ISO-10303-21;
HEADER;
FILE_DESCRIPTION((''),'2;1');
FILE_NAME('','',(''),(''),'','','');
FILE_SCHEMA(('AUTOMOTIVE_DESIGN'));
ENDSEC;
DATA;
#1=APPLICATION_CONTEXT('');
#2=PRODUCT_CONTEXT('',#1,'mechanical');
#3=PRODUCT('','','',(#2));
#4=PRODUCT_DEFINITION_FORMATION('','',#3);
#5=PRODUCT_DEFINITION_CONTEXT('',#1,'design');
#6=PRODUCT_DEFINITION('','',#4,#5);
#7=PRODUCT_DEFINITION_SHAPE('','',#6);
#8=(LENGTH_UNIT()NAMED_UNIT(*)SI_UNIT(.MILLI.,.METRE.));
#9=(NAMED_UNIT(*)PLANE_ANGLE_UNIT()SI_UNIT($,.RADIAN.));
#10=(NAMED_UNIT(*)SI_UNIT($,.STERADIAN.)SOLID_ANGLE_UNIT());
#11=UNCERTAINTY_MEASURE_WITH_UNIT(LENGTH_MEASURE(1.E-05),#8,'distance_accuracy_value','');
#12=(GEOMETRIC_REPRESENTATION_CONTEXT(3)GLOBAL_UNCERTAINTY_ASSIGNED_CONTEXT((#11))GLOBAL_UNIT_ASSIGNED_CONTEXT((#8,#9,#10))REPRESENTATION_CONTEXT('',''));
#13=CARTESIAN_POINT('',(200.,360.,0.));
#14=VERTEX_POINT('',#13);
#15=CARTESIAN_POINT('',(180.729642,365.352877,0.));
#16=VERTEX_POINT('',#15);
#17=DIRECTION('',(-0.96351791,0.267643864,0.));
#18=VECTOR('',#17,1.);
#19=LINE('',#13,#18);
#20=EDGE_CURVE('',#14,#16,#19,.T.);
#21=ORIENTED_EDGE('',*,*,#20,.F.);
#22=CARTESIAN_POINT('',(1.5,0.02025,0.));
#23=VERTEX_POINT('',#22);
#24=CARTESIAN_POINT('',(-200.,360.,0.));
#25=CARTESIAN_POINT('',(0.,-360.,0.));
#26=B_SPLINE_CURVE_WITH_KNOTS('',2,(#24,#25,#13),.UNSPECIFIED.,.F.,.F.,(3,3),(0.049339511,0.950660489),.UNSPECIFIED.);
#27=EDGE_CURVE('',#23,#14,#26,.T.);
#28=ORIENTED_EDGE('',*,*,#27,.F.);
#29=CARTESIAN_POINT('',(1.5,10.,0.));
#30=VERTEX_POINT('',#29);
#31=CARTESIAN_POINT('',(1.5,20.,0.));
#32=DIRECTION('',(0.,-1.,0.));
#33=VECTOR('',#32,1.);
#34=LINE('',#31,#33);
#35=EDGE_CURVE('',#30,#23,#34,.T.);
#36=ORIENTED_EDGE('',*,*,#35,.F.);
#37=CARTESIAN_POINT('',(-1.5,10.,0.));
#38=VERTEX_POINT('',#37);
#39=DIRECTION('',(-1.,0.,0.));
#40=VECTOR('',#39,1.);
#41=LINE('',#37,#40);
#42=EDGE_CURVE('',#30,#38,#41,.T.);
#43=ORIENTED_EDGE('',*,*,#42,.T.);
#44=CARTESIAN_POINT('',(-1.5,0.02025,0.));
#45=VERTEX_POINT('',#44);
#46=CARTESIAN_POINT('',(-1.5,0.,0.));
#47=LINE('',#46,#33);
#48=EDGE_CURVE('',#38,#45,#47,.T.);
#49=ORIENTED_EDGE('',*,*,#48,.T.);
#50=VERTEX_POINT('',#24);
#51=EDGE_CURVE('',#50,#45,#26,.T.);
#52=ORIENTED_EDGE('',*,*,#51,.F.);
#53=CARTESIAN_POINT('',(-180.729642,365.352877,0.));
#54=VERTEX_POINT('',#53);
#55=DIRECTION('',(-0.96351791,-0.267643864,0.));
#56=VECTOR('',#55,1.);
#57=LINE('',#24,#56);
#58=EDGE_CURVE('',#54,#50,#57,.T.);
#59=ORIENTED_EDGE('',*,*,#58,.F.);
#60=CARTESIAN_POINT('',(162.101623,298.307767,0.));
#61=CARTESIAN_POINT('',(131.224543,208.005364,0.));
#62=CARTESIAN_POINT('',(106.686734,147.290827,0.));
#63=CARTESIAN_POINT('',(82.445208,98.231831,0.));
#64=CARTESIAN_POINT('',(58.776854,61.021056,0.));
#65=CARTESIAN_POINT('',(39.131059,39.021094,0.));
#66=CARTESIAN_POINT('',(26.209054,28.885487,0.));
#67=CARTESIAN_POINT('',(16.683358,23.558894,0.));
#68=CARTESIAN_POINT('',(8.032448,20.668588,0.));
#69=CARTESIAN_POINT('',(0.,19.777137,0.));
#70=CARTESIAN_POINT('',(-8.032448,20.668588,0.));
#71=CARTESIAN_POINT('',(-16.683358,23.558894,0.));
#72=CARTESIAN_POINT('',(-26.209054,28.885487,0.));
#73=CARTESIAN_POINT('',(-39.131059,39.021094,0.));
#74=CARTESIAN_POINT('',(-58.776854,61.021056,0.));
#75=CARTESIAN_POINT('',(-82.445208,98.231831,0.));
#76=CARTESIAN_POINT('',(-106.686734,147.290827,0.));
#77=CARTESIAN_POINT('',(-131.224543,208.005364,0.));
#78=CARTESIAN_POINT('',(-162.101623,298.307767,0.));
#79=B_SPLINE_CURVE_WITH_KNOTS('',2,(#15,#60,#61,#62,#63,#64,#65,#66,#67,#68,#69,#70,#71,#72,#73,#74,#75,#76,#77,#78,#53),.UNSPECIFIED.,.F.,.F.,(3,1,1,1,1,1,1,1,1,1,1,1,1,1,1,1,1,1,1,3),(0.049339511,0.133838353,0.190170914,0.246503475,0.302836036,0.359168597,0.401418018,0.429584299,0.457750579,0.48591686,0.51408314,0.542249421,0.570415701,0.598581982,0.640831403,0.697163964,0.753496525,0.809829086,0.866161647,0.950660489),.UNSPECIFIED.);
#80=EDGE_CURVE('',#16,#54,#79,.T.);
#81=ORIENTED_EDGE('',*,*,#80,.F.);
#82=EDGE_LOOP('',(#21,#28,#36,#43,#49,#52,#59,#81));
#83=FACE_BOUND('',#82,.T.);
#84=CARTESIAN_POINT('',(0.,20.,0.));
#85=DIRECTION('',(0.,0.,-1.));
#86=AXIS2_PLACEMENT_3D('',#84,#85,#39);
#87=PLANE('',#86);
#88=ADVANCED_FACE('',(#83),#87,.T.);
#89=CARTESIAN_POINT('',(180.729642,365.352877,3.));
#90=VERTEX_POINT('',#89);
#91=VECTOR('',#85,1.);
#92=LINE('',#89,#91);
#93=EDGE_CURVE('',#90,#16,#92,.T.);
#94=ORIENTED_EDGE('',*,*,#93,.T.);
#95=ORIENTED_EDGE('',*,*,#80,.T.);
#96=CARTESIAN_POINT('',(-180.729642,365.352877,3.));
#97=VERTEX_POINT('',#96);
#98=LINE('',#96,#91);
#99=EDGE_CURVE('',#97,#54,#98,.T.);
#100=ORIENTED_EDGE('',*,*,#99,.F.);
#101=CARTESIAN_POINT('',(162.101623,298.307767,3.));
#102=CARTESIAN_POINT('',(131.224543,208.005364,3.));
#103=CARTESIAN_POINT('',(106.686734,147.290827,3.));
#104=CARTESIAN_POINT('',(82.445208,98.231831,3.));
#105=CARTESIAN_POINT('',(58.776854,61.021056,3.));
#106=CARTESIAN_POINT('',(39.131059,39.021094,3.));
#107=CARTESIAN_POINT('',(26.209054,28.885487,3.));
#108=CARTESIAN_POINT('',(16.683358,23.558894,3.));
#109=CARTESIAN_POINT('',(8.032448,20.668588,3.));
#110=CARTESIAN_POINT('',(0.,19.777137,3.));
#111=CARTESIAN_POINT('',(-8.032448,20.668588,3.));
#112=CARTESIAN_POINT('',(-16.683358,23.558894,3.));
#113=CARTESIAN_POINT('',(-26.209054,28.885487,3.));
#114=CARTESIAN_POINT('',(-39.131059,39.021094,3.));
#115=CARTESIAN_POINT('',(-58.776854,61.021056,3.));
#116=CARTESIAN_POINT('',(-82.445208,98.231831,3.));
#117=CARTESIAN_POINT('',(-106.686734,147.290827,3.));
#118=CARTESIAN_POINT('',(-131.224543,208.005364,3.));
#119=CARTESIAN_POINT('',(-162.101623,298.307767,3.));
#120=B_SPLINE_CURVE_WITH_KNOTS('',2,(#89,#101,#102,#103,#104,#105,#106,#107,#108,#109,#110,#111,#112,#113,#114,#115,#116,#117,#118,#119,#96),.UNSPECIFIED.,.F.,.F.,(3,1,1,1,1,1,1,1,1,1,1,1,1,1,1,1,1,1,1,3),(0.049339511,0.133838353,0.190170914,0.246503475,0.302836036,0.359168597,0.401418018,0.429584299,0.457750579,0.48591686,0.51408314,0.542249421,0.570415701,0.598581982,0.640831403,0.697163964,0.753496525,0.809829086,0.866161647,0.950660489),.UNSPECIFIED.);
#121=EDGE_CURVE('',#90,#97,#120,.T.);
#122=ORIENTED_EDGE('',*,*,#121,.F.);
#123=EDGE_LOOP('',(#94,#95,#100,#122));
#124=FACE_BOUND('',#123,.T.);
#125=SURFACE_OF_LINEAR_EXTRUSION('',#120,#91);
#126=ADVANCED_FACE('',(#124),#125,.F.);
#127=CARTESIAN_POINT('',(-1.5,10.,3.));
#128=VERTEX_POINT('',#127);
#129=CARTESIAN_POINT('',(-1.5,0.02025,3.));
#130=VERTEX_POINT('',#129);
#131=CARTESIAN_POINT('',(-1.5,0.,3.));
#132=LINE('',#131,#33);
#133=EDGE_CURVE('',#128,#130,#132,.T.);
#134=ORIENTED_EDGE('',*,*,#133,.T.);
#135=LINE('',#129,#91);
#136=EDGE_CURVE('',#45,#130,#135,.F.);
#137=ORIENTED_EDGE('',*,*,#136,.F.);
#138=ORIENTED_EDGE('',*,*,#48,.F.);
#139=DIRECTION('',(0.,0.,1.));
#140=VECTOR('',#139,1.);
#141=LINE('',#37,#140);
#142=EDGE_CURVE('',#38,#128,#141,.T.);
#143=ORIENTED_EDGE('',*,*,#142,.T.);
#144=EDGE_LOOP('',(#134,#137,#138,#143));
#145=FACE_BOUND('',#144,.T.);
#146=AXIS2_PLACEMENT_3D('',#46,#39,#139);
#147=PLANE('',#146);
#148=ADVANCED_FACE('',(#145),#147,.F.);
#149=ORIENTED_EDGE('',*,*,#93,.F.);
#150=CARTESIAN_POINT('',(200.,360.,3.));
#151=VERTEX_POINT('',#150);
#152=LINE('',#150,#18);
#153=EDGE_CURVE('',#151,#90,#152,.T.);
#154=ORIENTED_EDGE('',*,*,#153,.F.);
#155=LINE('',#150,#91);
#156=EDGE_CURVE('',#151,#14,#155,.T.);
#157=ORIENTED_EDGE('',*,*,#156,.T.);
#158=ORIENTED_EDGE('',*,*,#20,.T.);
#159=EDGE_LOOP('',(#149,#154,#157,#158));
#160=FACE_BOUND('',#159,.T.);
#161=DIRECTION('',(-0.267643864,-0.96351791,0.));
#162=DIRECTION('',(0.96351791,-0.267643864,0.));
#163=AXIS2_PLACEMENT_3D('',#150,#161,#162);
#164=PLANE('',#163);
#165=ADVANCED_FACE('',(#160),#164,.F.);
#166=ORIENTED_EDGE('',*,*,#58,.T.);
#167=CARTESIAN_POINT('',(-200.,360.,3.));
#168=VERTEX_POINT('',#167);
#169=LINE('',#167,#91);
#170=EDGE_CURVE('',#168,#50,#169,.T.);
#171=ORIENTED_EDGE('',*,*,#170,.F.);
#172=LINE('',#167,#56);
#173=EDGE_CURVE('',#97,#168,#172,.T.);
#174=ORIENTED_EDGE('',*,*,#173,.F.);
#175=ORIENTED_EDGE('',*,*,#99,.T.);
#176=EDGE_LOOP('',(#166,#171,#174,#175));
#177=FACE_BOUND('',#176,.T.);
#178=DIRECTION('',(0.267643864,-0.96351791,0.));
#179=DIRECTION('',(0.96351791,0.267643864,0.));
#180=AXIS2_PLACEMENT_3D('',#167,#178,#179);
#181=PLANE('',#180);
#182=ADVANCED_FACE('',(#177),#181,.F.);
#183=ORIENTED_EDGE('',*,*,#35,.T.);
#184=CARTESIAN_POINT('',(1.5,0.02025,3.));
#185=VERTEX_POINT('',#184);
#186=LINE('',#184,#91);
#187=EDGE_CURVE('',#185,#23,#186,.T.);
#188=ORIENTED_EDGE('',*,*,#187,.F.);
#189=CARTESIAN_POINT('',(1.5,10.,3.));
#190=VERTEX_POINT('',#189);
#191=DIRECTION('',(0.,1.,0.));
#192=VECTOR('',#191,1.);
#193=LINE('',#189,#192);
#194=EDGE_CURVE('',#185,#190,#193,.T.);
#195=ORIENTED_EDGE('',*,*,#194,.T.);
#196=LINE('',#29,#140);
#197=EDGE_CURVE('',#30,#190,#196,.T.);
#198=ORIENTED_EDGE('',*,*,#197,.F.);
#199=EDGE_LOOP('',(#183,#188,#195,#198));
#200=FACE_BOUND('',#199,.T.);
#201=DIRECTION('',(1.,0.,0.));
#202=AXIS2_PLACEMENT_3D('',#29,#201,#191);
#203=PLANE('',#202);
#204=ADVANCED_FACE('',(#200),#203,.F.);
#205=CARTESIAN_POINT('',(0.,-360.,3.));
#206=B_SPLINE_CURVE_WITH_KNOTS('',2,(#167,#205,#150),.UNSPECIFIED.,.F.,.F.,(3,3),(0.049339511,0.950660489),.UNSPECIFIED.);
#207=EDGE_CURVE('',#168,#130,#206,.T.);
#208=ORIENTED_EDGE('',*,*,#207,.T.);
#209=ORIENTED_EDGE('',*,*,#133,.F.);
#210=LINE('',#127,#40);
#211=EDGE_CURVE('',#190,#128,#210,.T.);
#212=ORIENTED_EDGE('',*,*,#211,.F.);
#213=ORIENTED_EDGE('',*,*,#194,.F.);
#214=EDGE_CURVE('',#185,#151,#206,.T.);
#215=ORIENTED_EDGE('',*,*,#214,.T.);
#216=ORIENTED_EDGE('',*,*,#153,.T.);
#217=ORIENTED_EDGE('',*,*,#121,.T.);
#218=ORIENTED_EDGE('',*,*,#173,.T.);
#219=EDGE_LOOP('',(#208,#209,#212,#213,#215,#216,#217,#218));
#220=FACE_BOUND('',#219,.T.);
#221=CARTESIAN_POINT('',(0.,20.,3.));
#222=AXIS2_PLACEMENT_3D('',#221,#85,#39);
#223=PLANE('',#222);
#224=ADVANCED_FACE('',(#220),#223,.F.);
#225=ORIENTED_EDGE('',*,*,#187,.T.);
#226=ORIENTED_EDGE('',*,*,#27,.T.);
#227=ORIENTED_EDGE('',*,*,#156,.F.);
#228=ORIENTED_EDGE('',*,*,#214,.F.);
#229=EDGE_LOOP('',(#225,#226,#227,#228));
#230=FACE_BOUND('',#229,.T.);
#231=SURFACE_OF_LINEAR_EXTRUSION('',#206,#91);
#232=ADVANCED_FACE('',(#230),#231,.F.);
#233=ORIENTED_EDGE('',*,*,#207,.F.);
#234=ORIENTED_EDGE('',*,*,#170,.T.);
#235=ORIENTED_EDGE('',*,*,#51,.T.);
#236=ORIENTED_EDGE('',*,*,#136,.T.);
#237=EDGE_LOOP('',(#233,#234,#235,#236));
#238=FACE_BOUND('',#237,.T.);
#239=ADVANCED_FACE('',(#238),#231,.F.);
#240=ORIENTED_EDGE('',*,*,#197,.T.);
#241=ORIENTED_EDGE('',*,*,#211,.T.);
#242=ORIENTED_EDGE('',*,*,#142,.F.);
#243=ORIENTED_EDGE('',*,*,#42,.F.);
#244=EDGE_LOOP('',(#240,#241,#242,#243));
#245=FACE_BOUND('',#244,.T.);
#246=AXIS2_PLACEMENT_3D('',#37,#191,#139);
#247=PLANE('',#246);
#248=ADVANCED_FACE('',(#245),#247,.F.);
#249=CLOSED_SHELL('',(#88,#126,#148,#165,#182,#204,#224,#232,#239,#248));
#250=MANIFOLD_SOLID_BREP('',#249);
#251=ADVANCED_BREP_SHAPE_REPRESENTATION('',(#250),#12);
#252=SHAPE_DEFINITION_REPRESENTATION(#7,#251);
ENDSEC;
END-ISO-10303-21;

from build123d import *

# Parameters (mm, degrees)
BOSS_EXTRUDE1_DEPTH = 3
CUT_EXTRUDE1_DEPTH  = 417.523378753


with BuildPart() as part:
    # Sketch1 → Boss-Extrude1 (new body)
    with BuildSketch(Plane.XY):
        with BuildLine():
            Line((-200, 360.000000001), (-180.729641808, 365.352877276))
            add(Edge.make_bspline(
                [(-180.729641808, 365.352877276), (-162.10162266, 298.30776658), (-131.224543005, 208.005364049), (-106.686733527, 147.290826567), (-82.445208054, 98.231831122), (-58.77685397, 61.021055693), (-39.13105929, 39.02109443), (-26.209054459, 28.885486775), (-16.683358121, 23.558894303), (-8.032448443, 20.668588236), (0, 19.777137255), (8.032448443, 20.668588236), (16.683358121, 23.558894303), (26.209054459, 28.885486775), (39.13105929, 39.02109443), (58.77685397, 61.021055693), (82.445208054, 98.231831121), (106.686733527, 147.290826566), (131.224543005, 208.005364048), (162.10162266, 298.307766579), (180.729641807, 365.352877275)],
                knots=[0.049339511, 0.049339511, 0.049339511, 0.133838353, 0.190170914, 0.246503475, 0.302836036, 0.359168597, 0.401418018, 0.429584299, 0.457750579, 0.48591686, 0.51408314, 0.542249421, 0.570415701, 0.598581982, 0.640831403, 0.697163964, 0.753496525, 0.809829086, 0.866161647, 0.950660489, 0.950660489, 0.950660489], degree=2))
            Line((180.729641807, 365.352877275), (200, 360))
            add(Edge.make_bspline(
                [(-200, 360.000000001), (0, -360), (200, 360)],
                knots=[0.049339511, 0.049339511, 0.049339511, 0.950660489, 0.950660489, 0.950660489], degree=2))
        make_face()
    extrude(amount=BOSS_EXTRUDE1_DEPTH)

    # Sketch3 → Cut-Extrude1 (cut, through all)
    with BuildSketch(Plane.XY.offset(3)):
        Polygon((0, 0), (-1.5, 0), (-1.5, 10), (1.5, 10), (1.5, 0), align=None)
    extrude(amount=-CUT_EXTRUDE1_DEPTH, mode=Mode.SUBTRACT)


solid = part.part
